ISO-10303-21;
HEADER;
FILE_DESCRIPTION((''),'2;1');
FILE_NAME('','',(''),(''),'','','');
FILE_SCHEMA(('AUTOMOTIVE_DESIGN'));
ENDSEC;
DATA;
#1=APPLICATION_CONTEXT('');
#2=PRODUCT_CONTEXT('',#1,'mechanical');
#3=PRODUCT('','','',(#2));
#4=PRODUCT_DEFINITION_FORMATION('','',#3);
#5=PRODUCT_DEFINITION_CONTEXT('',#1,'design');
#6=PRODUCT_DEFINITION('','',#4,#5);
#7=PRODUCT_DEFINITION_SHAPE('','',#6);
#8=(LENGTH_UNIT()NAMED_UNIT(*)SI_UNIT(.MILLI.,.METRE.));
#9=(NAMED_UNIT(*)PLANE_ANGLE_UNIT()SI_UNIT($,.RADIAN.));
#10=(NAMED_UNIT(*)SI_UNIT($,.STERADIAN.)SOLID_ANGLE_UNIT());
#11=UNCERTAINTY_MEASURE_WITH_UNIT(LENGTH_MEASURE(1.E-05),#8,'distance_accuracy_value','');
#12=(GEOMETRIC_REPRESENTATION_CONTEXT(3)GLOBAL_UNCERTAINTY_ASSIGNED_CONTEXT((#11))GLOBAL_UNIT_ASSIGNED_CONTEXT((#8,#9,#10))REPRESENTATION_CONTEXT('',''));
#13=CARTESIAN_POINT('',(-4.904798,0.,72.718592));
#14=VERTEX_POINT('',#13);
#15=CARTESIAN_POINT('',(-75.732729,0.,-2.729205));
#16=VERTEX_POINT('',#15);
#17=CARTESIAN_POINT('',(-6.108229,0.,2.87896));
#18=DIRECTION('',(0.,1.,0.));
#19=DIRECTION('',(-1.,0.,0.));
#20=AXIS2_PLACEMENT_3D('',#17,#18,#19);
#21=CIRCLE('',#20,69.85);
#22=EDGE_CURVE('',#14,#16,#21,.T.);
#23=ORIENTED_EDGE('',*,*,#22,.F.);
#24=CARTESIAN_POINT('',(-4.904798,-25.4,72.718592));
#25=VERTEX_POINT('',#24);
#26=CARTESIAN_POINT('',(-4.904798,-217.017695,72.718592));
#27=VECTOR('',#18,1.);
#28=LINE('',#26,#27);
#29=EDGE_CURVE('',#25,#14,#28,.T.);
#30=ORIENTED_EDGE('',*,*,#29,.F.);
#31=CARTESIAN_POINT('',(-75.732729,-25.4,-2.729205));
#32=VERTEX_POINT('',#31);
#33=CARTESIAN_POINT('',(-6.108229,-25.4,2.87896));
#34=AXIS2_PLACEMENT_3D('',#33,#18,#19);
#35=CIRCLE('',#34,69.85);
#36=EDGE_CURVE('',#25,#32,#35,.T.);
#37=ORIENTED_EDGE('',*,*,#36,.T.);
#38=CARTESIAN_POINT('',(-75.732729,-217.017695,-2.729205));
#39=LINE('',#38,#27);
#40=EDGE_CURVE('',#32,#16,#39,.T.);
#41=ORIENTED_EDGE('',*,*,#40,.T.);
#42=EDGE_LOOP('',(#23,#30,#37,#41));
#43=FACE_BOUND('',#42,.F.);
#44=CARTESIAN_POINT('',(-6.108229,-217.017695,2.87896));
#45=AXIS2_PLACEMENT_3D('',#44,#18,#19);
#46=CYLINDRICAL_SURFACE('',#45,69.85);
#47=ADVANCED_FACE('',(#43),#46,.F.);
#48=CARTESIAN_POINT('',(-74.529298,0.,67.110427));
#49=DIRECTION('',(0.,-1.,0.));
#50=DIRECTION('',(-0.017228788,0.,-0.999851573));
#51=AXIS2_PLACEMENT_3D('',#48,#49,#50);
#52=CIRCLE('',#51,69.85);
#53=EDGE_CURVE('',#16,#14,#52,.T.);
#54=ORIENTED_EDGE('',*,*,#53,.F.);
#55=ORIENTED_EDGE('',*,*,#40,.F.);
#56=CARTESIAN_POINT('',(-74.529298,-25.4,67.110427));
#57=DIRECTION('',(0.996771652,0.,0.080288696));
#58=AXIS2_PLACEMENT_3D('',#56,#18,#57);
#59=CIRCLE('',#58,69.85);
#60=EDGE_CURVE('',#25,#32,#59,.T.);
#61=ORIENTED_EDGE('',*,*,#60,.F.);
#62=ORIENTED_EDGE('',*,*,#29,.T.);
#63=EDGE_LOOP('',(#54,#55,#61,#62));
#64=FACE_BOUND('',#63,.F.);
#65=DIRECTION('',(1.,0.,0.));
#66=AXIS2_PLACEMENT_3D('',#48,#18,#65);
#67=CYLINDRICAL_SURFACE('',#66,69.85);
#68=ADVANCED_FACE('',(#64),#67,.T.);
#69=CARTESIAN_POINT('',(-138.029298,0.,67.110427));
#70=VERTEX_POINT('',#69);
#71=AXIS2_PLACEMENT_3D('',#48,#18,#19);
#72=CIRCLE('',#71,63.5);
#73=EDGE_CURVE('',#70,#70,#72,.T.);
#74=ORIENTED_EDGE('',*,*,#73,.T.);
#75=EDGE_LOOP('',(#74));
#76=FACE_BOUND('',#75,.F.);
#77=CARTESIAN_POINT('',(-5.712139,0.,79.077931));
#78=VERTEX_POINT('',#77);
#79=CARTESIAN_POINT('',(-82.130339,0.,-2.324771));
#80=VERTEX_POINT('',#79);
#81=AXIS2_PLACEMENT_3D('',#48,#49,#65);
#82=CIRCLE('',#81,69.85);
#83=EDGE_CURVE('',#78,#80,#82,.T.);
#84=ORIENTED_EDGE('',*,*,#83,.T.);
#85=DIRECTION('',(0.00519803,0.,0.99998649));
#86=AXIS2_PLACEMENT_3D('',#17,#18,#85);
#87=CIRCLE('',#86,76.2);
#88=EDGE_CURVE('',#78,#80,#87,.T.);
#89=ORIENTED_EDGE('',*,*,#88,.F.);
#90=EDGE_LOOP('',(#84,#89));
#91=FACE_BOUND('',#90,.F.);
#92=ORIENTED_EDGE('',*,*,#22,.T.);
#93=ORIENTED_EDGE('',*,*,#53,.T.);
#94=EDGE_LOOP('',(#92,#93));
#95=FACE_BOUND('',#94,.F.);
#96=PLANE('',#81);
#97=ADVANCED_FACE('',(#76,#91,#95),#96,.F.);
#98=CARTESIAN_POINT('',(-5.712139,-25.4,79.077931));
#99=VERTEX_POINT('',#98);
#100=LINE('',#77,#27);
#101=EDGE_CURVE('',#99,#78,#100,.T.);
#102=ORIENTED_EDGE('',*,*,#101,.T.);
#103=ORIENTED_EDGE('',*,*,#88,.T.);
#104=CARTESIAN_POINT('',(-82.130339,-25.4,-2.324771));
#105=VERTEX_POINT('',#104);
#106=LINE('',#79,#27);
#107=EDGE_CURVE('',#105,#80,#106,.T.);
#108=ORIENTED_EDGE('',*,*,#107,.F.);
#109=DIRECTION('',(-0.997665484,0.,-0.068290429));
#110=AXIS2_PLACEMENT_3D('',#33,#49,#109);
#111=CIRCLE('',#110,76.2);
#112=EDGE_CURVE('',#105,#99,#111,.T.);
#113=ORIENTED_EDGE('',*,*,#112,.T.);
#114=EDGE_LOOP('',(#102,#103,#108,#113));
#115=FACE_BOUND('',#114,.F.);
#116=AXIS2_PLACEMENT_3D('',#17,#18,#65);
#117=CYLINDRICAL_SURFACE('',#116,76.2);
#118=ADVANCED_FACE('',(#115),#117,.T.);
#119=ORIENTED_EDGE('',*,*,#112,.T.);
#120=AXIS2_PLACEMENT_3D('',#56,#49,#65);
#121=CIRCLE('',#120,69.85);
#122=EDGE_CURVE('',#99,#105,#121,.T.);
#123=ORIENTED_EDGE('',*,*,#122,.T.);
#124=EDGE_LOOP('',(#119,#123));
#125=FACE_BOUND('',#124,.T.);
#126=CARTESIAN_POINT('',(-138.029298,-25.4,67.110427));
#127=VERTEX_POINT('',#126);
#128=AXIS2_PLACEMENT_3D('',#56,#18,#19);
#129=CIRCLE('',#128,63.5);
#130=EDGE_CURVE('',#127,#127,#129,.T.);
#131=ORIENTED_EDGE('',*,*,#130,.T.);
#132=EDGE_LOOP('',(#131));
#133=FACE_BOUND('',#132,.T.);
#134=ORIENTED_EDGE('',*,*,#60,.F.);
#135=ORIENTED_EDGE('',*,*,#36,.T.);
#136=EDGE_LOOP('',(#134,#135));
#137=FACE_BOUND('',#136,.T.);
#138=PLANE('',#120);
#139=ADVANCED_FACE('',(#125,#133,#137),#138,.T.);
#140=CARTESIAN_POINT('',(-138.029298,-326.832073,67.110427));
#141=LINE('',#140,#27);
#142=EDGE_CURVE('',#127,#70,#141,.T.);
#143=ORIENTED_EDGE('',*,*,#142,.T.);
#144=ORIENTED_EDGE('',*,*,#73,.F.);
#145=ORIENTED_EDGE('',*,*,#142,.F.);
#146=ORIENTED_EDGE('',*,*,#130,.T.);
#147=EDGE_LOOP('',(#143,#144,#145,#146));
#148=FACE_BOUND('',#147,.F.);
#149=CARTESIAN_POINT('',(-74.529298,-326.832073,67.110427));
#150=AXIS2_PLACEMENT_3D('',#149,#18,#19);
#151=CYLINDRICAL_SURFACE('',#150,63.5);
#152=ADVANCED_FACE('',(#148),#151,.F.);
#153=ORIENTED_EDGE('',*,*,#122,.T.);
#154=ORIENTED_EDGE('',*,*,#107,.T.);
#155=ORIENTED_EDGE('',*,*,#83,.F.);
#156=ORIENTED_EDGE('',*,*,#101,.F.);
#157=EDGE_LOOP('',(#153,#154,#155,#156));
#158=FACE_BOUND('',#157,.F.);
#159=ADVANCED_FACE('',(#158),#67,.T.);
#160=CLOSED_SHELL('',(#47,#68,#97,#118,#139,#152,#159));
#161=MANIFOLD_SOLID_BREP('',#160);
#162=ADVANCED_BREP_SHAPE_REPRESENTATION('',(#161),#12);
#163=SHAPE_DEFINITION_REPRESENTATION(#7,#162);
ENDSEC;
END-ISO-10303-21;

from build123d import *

# Parameters (mm, degrees)
F0_R     = 76.2
F1_DEPTH = 25.4
F3_D     = 139.7
F4_R     = 69.85
F5_DEPTH = 25.4
F7_D     = 127


with BuildPart() as f1:
    # F0 (on Front) → F1 (new body)
    with BuildSketch(Plane.XZ):
        with Locations((-6.108229, 2.87896)):
            Circle(F0_R)
    extrude(amount=F1_DEPTH)

    # F3 (through all)
    with Locations(Plane.XZ):
        with Locations((-6.108229, 2.87896)):
            Hole(F3_D / 2)

    # F4 (on Front) → F5 (join)
    with BuildSketch(Plane.XZ):
        with Locations((-74.529298, 67.110427)):
            Circle(F4_R)
    extrude(amount=F5_DEPTH)

    # F7 (through all)
    with Locations(Plane.XZ.offset(25.4)):
        with Locations((-74.529298, 67.110427)):
            Hole(F7_D / 2)


solid = f1.part
